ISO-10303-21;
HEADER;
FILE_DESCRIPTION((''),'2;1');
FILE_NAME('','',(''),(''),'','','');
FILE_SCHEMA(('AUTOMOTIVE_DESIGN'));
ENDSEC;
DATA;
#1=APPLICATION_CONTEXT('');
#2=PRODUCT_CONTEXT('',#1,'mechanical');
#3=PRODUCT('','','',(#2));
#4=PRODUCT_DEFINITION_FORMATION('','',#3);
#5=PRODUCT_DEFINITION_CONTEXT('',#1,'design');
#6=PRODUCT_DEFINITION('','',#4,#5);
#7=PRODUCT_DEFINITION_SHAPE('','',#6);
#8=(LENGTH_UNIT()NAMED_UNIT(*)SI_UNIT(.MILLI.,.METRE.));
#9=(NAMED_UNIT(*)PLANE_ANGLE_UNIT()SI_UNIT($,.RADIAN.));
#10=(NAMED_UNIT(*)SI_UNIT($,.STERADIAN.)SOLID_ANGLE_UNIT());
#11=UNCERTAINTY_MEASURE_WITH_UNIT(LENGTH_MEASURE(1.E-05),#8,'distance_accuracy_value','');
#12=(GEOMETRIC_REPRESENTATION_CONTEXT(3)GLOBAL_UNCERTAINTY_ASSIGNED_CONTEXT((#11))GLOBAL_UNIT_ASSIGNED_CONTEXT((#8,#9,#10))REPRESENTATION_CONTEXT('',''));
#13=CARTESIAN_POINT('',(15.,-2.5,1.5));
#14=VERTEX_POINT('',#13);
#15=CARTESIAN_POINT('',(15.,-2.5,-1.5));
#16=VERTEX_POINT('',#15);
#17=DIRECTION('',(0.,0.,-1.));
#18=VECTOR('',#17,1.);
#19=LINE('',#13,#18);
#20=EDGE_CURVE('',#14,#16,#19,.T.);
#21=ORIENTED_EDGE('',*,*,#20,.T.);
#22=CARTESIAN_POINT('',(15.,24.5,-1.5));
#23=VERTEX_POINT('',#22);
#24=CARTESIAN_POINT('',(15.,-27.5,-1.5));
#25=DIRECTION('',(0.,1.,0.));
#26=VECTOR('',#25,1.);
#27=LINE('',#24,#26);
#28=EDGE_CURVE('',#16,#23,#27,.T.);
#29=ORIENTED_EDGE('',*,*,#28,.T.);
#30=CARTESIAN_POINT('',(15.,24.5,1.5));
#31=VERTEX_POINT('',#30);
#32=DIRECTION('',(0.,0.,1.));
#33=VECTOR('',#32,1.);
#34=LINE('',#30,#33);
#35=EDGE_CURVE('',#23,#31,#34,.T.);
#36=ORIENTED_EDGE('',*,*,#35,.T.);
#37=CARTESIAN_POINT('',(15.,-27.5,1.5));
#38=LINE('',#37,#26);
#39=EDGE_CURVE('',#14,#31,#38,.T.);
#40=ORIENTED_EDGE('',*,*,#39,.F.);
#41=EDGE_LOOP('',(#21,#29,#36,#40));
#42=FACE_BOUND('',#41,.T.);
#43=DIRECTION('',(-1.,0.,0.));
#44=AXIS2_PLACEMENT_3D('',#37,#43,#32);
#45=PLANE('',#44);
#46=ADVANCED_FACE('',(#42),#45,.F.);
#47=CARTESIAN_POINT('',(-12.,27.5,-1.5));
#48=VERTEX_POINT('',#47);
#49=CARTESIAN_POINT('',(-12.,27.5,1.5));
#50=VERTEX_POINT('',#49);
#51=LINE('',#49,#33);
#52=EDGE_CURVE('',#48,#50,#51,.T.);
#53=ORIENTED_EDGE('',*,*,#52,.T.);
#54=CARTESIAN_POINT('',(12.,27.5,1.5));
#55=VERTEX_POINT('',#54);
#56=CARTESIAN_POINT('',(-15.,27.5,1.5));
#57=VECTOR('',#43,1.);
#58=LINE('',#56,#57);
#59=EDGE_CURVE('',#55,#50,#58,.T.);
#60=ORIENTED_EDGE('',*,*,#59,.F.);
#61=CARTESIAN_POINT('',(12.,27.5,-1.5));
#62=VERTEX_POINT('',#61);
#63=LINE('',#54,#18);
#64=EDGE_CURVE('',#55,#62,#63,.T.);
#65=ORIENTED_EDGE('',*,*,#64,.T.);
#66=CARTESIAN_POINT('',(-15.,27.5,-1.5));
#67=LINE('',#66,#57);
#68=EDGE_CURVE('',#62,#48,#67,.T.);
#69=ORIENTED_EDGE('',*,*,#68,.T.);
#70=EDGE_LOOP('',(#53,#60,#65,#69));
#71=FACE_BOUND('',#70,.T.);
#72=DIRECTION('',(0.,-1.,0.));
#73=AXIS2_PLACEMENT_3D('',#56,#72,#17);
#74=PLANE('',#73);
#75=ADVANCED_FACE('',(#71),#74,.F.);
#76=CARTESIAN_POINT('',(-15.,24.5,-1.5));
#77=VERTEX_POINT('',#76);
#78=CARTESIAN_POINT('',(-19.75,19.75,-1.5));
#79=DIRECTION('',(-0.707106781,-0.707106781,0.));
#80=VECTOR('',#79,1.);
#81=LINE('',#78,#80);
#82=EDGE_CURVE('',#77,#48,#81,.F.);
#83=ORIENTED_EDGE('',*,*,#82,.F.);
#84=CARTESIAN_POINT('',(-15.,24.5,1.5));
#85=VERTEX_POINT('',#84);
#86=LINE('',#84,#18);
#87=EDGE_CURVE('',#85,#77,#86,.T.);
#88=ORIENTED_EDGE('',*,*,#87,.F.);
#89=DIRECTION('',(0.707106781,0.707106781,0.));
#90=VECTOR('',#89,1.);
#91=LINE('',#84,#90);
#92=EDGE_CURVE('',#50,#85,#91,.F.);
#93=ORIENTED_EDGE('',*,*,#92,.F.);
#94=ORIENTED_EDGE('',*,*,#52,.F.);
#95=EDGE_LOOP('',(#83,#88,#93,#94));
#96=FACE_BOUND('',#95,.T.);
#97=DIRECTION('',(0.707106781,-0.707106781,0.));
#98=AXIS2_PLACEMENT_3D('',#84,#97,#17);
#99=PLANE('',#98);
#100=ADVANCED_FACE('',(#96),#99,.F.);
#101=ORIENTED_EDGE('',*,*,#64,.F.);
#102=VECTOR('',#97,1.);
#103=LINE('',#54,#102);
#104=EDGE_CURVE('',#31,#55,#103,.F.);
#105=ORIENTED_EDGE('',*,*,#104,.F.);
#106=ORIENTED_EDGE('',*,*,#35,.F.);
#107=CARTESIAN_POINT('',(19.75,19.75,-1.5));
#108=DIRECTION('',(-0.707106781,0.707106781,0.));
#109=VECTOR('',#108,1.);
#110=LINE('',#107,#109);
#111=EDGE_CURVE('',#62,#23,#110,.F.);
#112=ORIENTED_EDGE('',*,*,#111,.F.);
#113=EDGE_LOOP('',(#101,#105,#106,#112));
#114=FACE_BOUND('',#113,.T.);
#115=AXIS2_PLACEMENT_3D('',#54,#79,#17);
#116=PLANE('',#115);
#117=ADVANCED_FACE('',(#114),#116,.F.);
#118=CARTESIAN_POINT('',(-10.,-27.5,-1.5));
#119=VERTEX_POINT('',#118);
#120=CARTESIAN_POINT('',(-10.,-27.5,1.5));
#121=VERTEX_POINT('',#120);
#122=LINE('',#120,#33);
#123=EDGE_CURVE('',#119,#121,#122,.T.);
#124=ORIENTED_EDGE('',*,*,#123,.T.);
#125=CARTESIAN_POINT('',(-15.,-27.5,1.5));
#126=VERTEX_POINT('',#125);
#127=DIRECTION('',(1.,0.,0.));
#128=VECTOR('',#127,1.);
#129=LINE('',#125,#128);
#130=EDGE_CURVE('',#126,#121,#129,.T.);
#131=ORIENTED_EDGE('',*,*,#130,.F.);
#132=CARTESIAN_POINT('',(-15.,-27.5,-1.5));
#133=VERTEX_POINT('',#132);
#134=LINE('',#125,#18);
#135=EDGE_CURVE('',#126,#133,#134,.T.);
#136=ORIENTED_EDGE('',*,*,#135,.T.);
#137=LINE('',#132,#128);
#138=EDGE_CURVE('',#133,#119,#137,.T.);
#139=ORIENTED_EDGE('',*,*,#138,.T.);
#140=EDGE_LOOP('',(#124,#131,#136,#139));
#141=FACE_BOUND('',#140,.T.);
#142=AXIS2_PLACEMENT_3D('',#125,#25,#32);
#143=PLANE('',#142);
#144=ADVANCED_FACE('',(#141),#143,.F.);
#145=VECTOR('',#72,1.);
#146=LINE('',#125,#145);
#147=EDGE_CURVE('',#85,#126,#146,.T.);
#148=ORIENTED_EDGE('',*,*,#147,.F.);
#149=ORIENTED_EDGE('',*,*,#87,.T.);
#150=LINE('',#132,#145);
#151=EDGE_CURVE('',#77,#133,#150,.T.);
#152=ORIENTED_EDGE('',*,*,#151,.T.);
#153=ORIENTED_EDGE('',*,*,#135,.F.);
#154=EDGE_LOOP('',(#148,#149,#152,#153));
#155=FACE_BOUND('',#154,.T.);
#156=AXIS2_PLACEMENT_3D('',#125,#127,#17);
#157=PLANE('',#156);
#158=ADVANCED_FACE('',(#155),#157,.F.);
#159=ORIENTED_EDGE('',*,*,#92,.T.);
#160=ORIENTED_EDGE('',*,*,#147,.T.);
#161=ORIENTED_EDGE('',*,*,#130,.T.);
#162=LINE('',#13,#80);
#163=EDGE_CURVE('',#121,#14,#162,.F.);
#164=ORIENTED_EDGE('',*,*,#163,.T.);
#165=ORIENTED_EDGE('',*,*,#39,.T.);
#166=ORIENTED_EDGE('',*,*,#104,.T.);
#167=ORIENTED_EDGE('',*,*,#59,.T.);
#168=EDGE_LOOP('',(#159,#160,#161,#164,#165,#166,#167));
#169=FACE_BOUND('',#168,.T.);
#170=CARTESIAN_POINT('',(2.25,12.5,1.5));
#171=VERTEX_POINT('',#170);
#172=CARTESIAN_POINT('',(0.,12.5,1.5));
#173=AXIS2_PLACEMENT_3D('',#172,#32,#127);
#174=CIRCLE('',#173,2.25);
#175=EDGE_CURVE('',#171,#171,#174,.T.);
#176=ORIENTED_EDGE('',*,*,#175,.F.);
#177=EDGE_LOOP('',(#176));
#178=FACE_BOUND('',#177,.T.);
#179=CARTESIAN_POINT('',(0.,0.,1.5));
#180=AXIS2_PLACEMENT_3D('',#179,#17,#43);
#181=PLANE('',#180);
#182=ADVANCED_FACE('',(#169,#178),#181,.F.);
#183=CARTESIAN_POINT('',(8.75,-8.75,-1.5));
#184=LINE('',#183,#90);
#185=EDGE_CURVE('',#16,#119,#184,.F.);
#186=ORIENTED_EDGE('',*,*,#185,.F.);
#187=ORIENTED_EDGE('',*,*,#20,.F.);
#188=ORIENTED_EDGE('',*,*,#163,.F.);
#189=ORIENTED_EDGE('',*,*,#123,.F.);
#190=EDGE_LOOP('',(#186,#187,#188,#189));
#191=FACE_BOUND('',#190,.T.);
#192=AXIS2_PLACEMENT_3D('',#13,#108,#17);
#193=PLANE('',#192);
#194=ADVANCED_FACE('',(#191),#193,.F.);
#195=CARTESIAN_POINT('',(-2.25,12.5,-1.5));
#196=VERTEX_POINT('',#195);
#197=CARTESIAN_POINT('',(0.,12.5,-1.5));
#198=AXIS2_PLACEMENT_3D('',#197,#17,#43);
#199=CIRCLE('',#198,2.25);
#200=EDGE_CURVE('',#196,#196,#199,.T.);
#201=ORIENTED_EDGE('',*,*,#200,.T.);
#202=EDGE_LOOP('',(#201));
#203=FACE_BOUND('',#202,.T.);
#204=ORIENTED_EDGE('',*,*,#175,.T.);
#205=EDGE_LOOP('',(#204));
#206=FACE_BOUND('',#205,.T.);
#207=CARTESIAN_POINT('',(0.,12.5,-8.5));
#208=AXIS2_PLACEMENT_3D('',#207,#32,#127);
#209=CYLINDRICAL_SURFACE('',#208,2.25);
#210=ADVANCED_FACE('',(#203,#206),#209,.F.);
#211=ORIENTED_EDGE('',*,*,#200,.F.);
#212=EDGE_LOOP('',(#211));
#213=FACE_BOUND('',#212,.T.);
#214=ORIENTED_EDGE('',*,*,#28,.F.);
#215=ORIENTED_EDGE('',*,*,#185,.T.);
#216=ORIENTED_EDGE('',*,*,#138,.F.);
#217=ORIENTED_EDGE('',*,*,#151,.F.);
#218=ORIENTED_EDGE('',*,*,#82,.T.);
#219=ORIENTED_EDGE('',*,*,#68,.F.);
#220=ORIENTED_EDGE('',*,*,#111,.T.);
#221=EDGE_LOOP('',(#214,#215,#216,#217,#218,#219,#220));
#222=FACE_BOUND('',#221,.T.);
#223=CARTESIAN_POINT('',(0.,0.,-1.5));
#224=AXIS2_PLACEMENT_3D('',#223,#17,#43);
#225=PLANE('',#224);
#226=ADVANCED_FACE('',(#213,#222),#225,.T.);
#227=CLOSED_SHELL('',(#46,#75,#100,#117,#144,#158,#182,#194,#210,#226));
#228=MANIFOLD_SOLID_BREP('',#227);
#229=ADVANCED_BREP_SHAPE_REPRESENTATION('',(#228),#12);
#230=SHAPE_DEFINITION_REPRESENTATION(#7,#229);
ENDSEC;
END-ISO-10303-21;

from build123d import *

# Parameters (mm, degrees)
SKETCH1_W           = 30
SKETCH1_H           = 55
BOSS_EXTRUDE1_DEPTH = 1.5
CHAMFER1_SIZE       = 3
SKETCH2_R           = 2.25
CUT_EXTRUDE1_DEPTH  = 10
CHAMFER2_SIZE       = 25


with BuildPart() as part:
    # Sketch1 → Boss-Extrude1 (new, symmetric)
    with BuildSketch(Plane.XY):
        Rectangle(SKETCH1_W, SKETCH1_H)
    extrude(amount=BOSS_EXTRUDE1_DEPTH, both=True)

    # Chamfer1
    chamfer1_edges = [part.edges().sort_by_distance(p)[0] for p in [
        (-15, 27.5, 0),
        (15, 27.5, 0),
    ]]
    chamfer(chamfer1_edges, length=CHAMFER1_SIZE)

    # Sketch2 → Cut-Extrude1 (cut)
    with BuildSketch(Plane.XY.offset(1.5)):
        with Locations((0, 12.5)):
            Circle(SKETCH2_R)
    extrude(amount=-CUT_EXTRUDE1_DEPTH, mode=Mode.SUBTRACT)

    # Chamfer2
    chamfer2_edges = [part.edges().sort_by_distance(p)[0] for p in [
        (15, -27.5, 0),
    ]]
    chamfer(chamfer2_edges, length=CHAMFER2_SIZE)


solid = part.part
